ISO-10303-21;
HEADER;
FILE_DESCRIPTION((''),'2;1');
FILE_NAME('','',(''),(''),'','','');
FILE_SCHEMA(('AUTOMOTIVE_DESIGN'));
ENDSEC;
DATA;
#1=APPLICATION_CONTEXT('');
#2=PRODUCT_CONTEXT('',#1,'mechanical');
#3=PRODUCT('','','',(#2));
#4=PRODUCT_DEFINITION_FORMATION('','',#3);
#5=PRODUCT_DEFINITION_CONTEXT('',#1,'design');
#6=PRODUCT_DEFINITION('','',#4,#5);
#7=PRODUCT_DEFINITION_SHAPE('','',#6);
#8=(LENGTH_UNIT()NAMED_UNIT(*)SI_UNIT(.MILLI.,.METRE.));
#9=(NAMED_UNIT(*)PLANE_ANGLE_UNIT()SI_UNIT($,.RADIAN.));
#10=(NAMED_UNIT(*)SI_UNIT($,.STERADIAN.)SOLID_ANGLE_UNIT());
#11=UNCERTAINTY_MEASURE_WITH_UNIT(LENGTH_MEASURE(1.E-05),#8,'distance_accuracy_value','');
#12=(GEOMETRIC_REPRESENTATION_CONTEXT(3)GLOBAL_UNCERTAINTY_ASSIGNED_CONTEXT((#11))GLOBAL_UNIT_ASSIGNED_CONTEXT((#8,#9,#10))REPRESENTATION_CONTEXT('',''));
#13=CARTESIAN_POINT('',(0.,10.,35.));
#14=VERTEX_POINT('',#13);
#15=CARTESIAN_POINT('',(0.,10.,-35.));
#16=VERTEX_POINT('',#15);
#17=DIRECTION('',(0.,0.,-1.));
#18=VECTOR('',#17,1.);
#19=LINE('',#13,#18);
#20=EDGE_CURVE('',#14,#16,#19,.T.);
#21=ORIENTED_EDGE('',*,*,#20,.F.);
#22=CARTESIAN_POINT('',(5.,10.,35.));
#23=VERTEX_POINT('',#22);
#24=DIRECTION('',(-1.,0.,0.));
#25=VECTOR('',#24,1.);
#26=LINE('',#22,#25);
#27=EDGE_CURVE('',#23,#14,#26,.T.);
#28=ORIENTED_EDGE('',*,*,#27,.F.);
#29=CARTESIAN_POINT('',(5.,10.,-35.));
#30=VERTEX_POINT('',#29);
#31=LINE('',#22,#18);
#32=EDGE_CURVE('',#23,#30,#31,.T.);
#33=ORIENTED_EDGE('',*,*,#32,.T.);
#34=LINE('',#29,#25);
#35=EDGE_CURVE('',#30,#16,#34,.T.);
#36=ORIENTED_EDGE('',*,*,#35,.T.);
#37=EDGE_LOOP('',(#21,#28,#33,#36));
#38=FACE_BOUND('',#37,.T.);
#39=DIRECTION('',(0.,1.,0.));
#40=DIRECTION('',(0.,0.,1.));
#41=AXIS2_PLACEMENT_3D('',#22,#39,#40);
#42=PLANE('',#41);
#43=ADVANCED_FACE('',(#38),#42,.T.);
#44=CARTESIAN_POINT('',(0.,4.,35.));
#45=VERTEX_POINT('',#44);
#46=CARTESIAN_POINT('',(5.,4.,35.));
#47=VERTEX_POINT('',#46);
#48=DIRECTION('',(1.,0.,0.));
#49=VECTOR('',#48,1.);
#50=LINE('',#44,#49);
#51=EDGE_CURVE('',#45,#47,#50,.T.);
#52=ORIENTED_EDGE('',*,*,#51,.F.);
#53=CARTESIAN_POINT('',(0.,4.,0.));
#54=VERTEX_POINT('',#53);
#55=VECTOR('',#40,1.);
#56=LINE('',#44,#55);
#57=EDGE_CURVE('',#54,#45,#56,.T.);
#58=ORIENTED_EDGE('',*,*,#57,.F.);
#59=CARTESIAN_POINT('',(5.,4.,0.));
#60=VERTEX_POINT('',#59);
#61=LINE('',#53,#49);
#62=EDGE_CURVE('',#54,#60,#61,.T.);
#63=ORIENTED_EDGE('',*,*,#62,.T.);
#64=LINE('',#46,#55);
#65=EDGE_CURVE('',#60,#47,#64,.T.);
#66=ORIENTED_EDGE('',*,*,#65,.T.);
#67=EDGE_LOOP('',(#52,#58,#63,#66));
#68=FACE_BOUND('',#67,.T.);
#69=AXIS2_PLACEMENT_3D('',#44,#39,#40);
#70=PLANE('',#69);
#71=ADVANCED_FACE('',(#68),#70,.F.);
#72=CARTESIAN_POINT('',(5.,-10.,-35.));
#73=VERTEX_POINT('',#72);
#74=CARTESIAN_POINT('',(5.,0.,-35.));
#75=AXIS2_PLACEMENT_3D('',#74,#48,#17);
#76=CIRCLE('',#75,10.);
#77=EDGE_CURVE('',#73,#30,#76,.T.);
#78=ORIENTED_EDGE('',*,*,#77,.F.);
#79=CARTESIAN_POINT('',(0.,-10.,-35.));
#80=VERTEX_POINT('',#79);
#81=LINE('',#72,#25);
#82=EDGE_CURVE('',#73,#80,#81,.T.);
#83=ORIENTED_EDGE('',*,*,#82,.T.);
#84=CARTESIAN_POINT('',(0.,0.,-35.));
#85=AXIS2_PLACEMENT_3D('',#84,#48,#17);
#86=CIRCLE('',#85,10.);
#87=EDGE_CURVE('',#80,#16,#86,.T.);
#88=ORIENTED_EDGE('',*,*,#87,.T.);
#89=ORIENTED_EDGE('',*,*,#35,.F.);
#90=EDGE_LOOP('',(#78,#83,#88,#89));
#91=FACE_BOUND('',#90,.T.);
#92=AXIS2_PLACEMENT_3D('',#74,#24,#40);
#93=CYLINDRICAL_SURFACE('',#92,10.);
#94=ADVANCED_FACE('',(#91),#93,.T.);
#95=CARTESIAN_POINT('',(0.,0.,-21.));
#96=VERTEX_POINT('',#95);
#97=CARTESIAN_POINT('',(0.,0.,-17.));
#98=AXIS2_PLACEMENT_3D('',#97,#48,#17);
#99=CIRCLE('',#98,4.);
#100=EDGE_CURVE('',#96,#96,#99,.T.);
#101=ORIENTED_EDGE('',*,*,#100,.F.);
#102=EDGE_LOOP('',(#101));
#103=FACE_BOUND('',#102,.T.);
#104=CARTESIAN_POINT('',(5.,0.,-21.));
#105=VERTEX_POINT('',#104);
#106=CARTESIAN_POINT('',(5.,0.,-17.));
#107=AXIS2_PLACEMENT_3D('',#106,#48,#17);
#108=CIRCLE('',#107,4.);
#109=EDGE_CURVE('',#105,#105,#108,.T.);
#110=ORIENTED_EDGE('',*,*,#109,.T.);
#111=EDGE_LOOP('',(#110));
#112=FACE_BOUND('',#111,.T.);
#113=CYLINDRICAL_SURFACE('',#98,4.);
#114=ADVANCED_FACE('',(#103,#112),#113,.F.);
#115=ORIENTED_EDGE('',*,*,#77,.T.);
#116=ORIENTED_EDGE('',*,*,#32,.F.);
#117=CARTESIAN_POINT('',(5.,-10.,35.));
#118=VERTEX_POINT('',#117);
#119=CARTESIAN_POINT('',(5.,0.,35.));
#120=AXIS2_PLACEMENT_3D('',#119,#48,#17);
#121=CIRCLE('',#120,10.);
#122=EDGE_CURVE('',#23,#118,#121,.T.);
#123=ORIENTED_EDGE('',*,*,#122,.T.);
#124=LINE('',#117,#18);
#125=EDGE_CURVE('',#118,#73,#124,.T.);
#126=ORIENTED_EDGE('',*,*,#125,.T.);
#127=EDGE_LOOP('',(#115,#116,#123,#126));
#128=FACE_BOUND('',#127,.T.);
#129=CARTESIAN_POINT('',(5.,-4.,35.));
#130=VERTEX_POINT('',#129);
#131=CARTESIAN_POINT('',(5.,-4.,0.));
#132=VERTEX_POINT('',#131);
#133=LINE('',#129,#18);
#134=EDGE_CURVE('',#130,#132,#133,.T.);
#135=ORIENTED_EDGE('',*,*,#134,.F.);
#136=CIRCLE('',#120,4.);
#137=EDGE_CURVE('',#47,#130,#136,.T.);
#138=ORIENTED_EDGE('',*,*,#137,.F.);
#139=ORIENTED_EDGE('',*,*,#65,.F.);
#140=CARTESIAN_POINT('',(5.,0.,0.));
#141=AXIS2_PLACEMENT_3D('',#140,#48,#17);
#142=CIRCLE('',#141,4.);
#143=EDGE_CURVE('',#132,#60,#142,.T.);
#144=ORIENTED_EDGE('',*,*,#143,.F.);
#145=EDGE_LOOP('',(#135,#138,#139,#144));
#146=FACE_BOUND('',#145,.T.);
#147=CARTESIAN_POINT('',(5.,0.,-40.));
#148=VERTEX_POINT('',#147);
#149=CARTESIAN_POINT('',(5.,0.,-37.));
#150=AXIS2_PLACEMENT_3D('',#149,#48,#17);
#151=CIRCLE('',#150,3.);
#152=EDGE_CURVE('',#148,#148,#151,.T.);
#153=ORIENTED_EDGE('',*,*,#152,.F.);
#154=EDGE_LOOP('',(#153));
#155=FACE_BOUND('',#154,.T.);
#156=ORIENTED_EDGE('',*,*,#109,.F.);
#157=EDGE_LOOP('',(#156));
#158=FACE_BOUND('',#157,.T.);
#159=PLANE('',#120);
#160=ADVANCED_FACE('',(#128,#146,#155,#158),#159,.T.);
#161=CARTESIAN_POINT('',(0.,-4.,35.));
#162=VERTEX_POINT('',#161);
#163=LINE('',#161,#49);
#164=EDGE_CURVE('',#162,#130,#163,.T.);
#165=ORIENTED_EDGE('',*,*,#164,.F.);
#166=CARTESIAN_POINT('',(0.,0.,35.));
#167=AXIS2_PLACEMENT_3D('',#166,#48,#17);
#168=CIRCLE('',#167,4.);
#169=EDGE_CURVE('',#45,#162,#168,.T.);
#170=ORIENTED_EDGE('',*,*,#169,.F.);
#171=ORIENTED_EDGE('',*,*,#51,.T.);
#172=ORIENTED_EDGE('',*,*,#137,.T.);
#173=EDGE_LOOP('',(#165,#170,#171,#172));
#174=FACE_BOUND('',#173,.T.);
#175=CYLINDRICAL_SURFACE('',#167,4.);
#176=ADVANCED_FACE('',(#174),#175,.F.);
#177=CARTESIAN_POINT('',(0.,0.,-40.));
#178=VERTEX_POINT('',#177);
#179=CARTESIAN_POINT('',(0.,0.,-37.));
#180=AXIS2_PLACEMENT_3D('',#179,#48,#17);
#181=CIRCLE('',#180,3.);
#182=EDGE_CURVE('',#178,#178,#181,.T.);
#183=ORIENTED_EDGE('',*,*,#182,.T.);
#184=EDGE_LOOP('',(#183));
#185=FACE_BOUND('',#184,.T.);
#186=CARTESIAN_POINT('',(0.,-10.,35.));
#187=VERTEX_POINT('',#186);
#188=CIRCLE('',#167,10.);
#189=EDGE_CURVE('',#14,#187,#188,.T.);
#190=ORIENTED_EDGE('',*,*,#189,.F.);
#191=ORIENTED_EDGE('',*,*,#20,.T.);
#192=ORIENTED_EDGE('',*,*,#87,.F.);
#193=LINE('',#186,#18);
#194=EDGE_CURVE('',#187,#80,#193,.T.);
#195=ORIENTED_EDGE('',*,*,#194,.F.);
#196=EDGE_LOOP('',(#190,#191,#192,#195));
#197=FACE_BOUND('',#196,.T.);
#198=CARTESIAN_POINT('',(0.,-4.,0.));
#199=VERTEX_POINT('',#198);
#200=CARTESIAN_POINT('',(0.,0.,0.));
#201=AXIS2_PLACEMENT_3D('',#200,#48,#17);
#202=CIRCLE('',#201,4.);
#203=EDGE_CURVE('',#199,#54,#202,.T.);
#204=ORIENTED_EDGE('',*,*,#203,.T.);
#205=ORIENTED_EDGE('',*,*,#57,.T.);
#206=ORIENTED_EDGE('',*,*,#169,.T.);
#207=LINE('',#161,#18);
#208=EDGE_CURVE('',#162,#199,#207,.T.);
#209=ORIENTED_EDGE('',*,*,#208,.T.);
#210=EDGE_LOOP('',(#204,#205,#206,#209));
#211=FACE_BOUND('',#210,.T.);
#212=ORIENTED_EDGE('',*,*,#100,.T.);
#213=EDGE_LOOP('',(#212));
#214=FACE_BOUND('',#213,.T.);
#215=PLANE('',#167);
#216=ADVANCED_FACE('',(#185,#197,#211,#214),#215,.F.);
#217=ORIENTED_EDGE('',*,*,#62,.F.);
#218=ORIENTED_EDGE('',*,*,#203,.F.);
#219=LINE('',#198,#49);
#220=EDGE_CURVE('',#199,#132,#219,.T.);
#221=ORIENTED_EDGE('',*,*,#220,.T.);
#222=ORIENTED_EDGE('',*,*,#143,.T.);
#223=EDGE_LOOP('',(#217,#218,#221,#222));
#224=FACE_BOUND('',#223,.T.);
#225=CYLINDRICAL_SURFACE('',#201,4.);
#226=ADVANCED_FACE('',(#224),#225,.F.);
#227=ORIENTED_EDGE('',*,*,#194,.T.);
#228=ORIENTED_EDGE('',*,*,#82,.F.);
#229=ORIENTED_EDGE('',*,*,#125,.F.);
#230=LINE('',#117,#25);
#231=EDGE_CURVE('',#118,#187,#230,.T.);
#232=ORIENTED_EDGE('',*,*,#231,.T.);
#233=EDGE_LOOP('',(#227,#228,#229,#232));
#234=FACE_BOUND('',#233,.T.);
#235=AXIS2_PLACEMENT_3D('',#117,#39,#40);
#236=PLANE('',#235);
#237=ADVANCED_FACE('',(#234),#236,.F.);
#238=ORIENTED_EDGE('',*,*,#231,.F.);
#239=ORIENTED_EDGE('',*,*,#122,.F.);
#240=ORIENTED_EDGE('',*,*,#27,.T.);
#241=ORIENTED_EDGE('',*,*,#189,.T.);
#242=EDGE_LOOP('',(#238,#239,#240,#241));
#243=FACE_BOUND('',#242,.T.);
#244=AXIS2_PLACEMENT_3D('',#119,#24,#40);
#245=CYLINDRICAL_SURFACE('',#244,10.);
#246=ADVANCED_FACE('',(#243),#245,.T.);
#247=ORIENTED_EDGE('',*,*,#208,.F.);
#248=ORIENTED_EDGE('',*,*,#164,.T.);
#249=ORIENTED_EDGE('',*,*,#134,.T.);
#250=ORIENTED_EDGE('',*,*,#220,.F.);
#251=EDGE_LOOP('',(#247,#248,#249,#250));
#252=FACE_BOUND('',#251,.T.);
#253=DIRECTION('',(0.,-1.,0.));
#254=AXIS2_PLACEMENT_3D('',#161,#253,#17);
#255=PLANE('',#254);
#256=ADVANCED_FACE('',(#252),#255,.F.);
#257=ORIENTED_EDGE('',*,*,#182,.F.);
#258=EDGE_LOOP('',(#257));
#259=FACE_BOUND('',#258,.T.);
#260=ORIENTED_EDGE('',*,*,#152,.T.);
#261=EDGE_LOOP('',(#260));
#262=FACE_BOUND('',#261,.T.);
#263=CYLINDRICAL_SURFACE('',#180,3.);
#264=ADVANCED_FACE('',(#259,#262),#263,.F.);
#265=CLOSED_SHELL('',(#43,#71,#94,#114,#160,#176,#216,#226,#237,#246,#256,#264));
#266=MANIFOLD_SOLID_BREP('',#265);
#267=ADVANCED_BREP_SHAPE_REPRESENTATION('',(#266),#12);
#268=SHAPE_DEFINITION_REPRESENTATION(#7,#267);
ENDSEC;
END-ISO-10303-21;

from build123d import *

# Parameters (mm, degrees)
BOSS_EXTRUDE1_DEPTH = 5
SKETCH2_R           = 4
SKETCH2_R_2         = 3
CUT_EXTRUDE1_DEPTH  = 6


with BuildPart() as part:
    # Sketch1 → Boss-Extrude1 (new body)
    with BuildSketch(Plane(origin=(0, 0, 0), x_dir=(0, 0, -1), z_dir=(1, 0, 0))):
        with BuildLine():
            Line((-35, 10), (35, 10))
            ThreePointArc((35, 10), (45, 0), (35, -10))
            Line((35, -10), (-35, -10))
            ThreePointArc((-35, -10), (-45, 0), (-35, 10))
        make_face()
    extrude(amount=BOSS_EXTRUDE1_DEPTH)

    # Sketch2 → Cut-Extrude1 (cut, through all)
    with BuildSketch(Plane(origin=(5, 0, 0), x_dir=(0, 0, -1), z_dir=(1, 0, 0))):
        with Locations((17, 0)):
            Circle(SKETCH2_R)
        with Locations((37, 0)):
            Circle(SKETCH2_R_2)
        with BuildLine():
            Line((-35, 4), (0, 4))
            ThreePointArc((0, 4), (4, 0), (0, -4))
            Line((0, -4), (-35, -4))
            ThreePointArc((-35, -4), (-39, 0), (-35, 4))
        make_face()
    extrude(amount=-CUT_EXTRUDE1_DEPTH, mode=Mode.SUBTRACT)


solid = part.part
